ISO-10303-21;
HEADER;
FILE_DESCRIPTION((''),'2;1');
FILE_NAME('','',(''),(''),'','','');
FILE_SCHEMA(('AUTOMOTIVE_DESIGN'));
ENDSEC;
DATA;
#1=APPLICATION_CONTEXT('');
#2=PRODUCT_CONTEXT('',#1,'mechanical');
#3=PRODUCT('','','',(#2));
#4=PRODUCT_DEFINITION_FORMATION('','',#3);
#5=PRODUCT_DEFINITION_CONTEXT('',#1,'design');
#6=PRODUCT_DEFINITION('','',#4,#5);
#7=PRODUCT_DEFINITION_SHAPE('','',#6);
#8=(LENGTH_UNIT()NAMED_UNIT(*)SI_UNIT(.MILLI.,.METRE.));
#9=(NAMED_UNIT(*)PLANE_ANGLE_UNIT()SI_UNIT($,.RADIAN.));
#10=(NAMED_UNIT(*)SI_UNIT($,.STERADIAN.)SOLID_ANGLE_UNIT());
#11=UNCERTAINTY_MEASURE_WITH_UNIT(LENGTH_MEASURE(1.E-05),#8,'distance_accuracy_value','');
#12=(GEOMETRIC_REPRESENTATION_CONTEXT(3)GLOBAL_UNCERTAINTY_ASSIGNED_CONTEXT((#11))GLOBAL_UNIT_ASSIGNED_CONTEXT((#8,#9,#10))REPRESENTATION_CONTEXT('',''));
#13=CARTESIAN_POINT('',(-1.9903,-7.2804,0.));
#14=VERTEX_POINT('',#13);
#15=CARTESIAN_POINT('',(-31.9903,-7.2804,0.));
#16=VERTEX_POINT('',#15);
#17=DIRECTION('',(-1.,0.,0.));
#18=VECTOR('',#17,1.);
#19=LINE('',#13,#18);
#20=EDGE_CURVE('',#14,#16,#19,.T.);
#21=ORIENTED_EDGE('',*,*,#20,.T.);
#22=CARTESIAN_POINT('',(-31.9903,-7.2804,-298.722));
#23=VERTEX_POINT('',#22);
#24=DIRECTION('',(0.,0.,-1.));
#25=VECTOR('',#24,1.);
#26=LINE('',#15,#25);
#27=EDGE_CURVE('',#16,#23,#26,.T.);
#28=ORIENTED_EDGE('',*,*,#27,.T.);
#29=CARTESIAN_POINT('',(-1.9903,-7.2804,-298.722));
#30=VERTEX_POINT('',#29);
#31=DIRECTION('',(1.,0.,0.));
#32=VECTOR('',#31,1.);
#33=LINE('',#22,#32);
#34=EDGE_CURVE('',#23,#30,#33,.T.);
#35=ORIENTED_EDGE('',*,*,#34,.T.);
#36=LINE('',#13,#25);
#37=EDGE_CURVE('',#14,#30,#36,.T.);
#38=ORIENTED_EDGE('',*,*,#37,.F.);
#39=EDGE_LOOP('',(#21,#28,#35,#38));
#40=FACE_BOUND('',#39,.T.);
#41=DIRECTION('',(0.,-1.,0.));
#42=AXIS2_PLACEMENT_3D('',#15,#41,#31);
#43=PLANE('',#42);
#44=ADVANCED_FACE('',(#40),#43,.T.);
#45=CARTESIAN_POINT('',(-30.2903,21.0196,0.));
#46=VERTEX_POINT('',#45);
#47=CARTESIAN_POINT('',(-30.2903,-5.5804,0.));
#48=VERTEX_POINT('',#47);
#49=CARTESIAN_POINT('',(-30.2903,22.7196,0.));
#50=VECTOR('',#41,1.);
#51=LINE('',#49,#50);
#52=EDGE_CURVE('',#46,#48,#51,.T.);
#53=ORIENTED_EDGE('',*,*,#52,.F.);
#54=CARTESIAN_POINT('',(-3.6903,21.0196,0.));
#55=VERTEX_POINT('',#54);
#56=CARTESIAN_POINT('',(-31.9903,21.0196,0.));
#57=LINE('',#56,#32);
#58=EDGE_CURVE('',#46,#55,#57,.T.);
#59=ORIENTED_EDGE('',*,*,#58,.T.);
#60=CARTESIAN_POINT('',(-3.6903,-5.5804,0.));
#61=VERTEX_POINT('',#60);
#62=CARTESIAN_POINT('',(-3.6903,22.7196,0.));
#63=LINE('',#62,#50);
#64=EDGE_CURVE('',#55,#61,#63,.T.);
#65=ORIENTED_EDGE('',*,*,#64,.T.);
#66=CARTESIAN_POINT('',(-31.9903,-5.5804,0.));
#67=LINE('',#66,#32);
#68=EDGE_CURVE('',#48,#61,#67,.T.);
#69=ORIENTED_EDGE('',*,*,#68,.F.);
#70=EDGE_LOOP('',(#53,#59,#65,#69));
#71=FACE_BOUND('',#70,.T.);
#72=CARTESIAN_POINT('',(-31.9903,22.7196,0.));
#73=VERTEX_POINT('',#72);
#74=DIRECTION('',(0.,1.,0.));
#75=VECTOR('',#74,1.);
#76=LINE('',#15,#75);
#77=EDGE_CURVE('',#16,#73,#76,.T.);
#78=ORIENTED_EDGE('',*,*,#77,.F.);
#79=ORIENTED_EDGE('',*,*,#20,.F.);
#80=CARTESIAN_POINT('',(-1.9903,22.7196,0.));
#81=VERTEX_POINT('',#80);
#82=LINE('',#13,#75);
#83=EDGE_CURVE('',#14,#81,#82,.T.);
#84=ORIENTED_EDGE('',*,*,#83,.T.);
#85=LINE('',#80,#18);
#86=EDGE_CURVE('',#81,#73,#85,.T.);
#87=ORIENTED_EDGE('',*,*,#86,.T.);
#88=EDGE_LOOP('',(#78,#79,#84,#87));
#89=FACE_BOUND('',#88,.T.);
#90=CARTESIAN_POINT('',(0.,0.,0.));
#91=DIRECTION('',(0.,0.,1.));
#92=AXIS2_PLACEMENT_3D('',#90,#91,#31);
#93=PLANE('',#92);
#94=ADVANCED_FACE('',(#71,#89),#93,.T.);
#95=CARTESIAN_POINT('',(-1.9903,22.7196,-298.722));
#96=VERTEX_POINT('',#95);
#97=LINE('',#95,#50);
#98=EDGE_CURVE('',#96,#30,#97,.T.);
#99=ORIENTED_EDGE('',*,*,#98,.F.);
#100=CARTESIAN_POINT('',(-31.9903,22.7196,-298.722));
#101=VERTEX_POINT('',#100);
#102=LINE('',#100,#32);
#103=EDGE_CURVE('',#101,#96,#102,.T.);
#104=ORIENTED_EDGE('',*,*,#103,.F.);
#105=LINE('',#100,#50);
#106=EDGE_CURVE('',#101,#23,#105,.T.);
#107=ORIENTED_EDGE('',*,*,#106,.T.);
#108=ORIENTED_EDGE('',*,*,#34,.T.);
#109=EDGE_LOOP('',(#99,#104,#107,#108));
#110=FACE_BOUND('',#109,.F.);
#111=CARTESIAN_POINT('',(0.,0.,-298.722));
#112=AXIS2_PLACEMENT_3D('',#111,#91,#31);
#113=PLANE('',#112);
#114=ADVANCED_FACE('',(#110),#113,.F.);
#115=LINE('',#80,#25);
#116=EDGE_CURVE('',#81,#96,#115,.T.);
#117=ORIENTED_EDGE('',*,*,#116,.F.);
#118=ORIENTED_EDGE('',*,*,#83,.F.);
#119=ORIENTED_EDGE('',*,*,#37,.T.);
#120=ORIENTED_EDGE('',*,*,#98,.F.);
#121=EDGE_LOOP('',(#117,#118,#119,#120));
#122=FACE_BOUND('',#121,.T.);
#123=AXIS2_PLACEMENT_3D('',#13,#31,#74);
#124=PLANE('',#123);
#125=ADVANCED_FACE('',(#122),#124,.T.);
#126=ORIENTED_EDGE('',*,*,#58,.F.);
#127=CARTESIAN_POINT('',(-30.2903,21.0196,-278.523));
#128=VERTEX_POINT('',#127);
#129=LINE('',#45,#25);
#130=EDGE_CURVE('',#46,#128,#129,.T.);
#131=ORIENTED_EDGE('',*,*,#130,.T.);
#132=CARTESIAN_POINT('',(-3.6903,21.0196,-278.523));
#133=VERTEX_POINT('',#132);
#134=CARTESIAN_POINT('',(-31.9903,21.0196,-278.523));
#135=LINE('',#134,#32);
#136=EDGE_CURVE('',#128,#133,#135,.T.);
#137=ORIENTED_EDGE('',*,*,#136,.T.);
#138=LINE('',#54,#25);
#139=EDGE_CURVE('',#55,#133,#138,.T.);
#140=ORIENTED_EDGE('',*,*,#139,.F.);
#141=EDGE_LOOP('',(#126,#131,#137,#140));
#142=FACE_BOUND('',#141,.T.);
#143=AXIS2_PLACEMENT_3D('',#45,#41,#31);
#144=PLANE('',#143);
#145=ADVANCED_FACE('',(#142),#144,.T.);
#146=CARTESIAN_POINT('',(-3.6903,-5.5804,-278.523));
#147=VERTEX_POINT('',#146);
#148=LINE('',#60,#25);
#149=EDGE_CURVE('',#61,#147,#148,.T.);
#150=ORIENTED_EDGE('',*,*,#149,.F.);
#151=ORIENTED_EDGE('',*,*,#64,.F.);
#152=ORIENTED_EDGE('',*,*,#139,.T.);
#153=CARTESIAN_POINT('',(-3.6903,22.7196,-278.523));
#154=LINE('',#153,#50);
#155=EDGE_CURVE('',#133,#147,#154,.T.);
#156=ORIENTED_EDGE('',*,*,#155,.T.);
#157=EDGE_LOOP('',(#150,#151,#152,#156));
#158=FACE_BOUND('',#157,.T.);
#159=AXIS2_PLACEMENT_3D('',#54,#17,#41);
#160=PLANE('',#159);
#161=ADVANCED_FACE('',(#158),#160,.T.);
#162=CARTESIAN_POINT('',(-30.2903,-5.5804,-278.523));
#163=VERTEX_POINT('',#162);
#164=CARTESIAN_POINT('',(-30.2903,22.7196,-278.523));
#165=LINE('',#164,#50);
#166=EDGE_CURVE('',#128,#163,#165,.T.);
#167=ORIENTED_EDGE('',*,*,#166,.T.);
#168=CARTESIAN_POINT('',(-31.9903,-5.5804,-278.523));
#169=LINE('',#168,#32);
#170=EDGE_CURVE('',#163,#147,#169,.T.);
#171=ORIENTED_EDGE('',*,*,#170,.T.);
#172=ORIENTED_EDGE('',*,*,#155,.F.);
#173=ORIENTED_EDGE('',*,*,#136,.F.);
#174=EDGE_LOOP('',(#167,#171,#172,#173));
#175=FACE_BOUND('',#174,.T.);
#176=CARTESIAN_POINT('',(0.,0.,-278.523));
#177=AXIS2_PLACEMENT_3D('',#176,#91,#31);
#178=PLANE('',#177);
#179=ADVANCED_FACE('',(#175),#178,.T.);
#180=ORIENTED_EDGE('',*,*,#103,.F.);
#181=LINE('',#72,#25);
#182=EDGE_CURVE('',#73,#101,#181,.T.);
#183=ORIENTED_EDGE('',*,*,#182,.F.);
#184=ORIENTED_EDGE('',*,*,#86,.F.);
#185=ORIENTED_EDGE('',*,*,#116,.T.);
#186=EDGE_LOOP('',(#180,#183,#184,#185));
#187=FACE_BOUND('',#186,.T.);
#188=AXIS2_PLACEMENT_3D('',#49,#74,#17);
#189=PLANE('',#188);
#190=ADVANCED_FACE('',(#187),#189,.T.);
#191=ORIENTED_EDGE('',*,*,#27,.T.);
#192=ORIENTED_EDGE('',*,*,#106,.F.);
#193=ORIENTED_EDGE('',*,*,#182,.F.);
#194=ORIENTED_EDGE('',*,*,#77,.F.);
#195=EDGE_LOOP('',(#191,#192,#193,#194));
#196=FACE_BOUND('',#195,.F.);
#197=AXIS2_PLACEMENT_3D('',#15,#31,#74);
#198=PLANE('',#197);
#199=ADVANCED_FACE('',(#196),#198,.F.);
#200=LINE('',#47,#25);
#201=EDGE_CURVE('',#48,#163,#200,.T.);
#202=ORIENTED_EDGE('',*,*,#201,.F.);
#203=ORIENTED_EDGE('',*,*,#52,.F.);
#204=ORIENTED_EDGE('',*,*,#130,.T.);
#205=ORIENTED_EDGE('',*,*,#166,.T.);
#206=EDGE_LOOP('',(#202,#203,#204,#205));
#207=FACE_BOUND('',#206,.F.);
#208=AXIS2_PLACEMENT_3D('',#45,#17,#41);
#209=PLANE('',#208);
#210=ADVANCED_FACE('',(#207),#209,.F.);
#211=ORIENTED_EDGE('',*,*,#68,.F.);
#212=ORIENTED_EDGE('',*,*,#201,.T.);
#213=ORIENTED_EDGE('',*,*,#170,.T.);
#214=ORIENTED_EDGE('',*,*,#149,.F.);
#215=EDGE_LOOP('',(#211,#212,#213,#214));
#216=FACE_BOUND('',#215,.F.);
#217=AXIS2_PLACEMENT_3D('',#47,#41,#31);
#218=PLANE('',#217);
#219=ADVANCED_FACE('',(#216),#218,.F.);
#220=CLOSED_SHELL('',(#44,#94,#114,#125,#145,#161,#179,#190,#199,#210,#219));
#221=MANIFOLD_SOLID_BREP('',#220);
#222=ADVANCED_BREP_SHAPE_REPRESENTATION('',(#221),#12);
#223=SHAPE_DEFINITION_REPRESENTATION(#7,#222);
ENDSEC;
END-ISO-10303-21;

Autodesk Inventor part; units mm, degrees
ref_plane "YZ Plane" through (0, 0, 0) normal (1, 0, 0) x (0, 1, 0)
ref_plane "XZ Plane" through (0, 0, 0) normal (0, 1, 0) x (-1, 0, 0)
ref_plane "XY Plane" through (0, 0, 0) normal (0, 0, 1) x (1, 0, 0)
sketch "Sketch1" plane through (0, 0, 0) normal (0, 0, 1) x (1, 0, 0)
  line L0 (-31.9903, -7.2804) -> (-1.9903, -7.2804)
  line L1 (-1.9903, -7.2804) -> (-1.9903, 22.7196)
  line L2 (-1.9903, 22.7196) -> (-31.9903, 22.7196)
  line L3 (-31.9903, -7.2804) -> (-31.9903, 22.7196)
  line L4 (-30.2903, 22.7196) -> (-30.2903, -7.2804)
  line L5 (-31.9903, -5.5804) -> (-1.9903, -5.5804)
  line L6 (-3.6903, 22.7196) -> (-3.6903, -7.2804)
  line L7 (-31.9903, 21.0196) -> (-1.9903, 21.0196)
  point P0 (0, 0)
  point P1 (-3.6903, 21.0196)
  point P2 (-30.2903, 21.0196)
  point P3 (-30.2903, -5.5804)
  point P4 (-3.6903, -5.5804)
  dimension "d0" = 30
  dimension "d1" = 30
  dimension "d2" = 1.7
  dimension "d3" = 1.7
  dimension "d4" = 1.7
  dimension "d5" = 1.7
extrude "Extrusion1" add sketch "Sketch1" against normal blind 298.722
extrude "Extrusion2" cut sketch "Sketch1" against normal blind 278.523 contours L4 L7 L6 L5
properties part number "Cablecanal Ranurado 30x30 L=115 mm" material "PVC-Piping"
